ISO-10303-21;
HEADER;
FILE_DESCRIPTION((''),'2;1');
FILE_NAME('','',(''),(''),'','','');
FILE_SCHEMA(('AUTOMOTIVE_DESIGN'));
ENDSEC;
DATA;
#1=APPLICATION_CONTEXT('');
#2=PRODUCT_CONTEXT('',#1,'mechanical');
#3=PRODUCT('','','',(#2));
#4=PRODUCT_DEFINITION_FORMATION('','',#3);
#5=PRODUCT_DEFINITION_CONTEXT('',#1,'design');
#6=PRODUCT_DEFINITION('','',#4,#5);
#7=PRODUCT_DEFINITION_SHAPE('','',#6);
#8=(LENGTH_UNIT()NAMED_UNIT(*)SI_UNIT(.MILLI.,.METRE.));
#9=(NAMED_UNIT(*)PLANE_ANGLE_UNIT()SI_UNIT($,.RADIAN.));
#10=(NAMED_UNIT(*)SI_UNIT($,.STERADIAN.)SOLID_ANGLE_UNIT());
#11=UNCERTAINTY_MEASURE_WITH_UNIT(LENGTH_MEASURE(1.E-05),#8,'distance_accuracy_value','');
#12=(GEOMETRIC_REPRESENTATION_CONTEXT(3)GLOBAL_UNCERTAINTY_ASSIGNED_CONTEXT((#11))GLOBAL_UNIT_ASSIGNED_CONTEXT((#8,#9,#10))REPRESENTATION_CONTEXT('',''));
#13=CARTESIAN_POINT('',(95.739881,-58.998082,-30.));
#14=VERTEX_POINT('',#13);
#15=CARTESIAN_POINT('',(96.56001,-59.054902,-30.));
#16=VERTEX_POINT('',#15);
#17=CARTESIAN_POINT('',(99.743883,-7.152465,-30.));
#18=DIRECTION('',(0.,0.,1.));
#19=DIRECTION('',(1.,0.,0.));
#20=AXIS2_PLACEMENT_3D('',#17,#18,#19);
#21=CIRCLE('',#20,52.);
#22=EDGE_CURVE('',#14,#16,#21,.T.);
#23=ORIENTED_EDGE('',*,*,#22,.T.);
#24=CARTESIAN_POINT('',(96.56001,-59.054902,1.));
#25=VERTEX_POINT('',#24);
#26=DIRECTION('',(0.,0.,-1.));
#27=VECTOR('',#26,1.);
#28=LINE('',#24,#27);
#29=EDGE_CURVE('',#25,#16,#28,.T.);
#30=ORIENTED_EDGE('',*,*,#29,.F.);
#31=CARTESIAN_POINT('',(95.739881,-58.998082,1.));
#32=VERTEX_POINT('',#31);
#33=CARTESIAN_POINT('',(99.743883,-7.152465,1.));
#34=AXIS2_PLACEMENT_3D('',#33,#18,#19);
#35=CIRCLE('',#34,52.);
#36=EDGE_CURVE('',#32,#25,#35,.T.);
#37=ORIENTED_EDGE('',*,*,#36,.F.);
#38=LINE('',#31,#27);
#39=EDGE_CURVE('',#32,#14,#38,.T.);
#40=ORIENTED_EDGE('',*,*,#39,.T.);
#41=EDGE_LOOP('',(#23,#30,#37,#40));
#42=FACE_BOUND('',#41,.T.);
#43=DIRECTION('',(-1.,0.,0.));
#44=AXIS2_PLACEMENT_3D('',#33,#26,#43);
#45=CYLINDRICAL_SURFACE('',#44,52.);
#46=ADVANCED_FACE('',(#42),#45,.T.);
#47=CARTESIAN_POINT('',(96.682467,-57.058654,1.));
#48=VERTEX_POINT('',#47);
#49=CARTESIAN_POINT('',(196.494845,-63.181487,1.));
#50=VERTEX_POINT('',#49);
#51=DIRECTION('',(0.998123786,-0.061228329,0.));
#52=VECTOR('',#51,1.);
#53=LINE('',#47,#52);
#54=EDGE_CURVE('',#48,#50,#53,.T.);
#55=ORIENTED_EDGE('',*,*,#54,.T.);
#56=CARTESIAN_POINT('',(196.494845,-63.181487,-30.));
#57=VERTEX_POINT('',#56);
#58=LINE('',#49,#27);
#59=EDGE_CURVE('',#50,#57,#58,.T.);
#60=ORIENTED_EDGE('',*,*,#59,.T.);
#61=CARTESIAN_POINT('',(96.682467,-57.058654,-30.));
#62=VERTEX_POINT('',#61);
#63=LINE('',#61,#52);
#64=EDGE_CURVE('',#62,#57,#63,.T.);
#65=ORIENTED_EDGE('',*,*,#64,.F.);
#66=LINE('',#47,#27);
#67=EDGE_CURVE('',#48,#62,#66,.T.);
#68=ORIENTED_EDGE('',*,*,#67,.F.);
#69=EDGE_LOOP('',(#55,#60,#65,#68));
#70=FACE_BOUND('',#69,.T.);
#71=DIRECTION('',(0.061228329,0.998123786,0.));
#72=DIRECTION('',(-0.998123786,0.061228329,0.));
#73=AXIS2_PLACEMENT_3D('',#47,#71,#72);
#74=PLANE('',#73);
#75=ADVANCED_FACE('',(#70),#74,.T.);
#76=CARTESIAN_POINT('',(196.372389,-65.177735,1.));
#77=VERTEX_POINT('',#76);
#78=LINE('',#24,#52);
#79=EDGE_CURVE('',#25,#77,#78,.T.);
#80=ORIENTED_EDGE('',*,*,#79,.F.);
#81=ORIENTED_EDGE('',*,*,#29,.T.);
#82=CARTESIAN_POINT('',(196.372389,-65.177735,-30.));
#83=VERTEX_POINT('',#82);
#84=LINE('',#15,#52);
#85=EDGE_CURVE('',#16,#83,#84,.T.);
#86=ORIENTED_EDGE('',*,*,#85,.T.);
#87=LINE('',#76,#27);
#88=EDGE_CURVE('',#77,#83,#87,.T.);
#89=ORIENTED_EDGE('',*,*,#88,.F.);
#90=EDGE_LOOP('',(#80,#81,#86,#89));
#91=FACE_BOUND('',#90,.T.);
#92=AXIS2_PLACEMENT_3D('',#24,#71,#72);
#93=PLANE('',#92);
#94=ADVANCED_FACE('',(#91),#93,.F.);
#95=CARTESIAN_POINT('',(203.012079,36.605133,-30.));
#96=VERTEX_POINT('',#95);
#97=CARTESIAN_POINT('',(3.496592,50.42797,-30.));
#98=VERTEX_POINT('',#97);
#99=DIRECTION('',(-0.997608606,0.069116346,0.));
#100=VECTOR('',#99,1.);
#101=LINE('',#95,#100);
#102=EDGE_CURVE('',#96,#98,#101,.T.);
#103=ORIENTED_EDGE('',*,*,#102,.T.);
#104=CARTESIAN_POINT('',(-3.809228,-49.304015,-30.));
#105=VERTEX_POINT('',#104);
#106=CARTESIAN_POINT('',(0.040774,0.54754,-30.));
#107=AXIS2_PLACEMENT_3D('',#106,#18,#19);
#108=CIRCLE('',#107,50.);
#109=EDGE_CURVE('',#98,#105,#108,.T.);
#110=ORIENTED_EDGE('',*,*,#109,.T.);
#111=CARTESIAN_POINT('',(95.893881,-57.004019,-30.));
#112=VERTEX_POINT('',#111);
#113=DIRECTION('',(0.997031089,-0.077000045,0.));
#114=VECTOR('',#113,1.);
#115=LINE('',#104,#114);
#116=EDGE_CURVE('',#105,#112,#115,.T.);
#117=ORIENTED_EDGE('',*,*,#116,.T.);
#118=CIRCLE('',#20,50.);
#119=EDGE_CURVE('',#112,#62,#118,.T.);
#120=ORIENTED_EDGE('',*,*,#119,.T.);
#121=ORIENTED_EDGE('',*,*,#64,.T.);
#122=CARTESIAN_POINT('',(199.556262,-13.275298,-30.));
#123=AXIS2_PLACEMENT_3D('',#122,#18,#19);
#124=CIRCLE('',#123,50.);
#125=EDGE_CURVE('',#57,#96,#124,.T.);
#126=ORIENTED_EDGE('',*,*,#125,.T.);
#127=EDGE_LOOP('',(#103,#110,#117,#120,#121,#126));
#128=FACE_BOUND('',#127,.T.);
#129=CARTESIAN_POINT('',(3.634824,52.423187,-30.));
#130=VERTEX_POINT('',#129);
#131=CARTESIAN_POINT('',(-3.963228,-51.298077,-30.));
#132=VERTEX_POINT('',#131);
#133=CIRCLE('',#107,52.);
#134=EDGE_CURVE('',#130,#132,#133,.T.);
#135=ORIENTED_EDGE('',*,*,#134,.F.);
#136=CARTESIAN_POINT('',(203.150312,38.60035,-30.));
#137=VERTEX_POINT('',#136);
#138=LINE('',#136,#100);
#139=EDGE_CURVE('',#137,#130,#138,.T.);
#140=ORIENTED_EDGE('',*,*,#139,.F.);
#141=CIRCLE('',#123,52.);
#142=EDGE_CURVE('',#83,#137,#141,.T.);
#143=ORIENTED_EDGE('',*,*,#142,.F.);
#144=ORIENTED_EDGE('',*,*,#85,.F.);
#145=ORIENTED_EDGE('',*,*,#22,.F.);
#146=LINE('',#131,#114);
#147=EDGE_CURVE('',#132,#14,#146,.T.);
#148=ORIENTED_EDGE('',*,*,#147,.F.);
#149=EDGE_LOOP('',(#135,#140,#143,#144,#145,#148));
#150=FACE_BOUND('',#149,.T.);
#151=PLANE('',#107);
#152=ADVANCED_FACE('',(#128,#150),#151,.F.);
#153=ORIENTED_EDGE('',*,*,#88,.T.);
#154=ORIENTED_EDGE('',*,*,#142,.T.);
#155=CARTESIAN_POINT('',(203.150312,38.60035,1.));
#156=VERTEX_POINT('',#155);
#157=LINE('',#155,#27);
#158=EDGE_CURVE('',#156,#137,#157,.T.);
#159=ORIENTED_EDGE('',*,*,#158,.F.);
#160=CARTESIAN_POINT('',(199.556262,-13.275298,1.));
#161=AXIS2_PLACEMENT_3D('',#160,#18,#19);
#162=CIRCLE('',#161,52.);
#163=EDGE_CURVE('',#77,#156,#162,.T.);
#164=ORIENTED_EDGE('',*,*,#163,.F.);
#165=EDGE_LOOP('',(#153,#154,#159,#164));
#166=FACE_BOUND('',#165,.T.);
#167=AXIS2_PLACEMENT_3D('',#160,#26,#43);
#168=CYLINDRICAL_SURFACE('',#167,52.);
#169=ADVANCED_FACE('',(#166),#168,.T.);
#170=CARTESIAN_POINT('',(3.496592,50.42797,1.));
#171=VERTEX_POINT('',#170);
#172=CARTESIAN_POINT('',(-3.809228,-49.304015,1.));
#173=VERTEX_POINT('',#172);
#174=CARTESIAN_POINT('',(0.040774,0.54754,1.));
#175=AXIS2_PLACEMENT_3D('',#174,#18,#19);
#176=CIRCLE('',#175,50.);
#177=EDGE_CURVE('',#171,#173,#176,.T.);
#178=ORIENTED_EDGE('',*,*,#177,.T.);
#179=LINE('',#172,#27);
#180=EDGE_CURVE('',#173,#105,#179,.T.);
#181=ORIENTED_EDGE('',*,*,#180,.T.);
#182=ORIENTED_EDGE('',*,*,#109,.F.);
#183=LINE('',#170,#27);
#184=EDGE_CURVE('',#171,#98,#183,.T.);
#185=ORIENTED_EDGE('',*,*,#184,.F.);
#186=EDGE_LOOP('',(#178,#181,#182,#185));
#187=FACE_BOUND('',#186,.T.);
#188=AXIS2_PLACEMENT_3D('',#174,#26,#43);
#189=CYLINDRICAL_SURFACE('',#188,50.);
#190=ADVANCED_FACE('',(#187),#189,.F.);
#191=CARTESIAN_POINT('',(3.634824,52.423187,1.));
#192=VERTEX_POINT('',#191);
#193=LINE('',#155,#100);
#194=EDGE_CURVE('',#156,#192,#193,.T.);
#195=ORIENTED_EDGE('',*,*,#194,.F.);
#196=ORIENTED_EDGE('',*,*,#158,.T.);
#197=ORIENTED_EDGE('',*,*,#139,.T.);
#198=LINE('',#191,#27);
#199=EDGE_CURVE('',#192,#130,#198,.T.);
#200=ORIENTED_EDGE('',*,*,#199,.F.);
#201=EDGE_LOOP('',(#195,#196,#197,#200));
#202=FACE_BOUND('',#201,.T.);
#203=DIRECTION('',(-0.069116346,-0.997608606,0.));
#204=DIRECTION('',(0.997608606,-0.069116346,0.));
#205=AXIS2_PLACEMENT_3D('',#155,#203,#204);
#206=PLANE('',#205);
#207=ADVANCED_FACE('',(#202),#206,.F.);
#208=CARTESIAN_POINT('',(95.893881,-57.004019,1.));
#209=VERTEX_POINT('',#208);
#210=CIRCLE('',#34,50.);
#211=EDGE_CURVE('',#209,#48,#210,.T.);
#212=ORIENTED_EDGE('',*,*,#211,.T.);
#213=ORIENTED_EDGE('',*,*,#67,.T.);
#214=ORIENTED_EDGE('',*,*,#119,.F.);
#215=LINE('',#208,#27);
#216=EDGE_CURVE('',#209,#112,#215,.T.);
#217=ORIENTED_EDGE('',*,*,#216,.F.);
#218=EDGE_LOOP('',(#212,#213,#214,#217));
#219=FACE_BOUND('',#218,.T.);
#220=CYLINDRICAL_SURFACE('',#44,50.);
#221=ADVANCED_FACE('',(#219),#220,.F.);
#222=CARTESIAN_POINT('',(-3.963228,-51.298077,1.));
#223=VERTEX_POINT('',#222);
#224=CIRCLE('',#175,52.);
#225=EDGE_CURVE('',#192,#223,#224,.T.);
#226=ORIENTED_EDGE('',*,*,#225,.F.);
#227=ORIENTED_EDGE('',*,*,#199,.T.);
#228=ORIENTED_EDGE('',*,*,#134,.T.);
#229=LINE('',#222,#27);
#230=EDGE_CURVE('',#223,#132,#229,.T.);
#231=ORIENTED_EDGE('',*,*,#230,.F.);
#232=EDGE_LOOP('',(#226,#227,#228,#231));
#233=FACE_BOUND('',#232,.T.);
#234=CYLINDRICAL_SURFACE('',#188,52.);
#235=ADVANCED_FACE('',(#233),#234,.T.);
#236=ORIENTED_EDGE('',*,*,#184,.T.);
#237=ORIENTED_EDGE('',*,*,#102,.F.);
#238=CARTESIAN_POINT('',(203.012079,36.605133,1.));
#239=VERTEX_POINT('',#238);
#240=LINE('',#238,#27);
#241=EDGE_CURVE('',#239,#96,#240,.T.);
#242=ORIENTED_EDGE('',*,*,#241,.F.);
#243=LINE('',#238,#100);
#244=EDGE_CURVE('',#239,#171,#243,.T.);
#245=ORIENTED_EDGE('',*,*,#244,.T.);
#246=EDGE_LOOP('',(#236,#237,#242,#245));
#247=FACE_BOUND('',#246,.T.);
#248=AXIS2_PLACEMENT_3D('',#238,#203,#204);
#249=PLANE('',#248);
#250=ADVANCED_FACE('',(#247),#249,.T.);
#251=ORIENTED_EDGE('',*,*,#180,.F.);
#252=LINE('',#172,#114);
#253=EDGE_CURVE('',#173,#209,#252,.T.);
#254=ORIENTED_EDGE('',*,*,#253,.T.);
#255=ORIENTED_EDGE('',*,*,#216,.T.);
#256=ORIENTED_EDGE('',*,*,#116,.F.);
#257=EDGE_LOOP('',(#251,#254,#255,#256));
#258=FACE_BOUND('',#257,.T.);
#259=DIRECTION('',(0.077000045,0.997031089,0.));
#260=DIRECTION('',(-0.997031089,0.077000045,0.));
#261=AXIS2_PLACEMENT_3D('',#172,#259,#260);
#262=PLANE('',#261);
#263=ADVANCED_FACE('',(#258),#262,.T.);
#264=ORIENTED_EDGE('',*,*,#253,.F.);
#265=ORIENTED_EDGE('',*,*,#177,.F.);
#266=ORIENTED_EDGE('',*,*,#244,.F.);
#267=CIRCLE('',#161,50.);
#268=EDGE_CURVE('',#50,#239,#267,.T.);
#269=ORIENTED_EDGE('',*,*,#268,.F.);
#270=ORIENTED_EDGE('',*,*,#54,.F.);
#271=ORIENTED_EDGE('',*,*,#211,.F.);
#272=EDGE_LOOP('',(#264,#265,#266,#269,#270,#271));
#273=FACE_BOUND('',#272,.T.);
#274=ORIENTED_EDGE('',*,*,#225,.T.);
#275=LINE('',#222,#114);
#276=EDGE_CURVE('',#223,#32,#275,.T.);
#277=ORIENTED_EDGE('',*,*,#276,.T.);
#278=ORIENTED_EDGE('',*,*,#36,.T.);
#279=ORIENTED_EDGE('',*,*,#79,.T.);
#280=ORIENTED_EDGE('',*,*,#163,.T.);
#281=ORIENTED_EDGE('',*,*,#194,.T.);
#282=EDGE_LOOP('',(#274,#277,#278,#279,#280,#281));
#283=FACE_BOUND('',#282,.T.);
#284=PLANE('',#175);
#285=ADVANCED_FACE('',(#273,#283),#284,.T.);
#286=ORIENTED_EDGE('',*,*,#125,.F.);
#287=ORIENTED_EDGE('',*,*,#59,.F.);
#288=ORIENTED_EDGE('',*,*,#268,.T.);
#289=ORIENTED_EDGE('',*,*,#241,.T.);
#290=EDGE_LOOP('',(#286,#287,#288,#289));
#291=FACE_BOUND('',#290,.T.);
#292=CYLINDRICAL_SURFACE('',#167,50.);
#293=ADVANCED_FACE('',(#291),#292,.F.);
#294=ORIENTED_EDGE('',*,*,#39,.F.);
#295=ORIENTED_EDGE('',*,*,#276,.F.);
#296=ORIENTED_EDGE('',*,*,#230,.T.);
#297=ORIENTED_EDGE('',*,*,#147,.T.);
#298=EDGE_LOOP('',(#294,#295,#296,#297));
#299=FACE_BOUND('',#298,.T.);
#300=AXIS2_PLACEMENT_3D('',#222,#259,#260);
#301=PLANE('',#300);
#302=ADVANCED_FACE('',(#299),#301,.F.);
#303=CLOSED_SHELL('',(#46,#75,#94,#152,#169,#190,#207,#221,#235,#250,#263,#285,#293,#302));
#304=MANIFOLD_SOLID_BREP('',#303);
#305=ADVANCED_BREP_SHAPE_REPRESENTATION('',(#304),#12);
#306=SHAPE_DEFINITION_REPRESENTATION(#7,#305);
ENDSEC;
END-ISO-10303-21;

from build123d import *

# Parameters (mm, degrees)
EXTRUDE_THIN2_DEPTH      = 1
EXTRUDE_THIN2_DEPTH_BACK = 30


with BuildPart() as part:
    # Sketch2 → Extrude-Thin2 (new, two sides: drawn at the far end of the back side and taken through both)
    with BuildSketch(Plane.XY.offset(-EXTRUDE_THIN2_DEPTH_BACK)):
        with BuildLine():
            Line((203.150311833, 38.600349755), (3.634824321, 52.423187112))
            ThreePointArc((3.634824321, 52.423187112), (-51.820262836, 4.346595446), (-3.963228019, -51.298077043))
            Line((-3.963228019, -51.298077043), (95.739880914, -58.998081537))
            ThreePointArc((95.739880914, -58.998081537), (96.149833249, -59.028112402), (96.560010162, -59.054901754))
            Line((96.560010162, -59.054901754), (196.372388742, -65.177734616))
            ThreePointArc((196.372388742, -65.177734616), (251.445709315, -16.664285771), (203.150311833, 38.600349755))
        make_face()
        with BuildLine():
            Line((203.01207914, 36.605132543), (3.496591628, 50.4279699))
            ThreePointArc((3.496591628, 50.4279699), (-49.82560756, 4.200477913), (-3.809227929, -49.304014864))
            Line((-3.809227929, -49.304014864), (95.893881004, -57.004019358))
            ThreePointArc((95.893881004, -57.004019358), (96.288065941, -57.03289519), (96.68246682, -57.058654182))
            Line((96.68246682, -57.058654182), (196.494845399, -63.181487045))
            ThreePointArc((196.494845399, -63.181487045), (249.449961335, -16.533940078), (203.01207914, 36.605132543))
        make_face(mode=Mode.SUBTRACT)
    extrude(amount=EXTRUDE_THIN2_DEPTH + EXTRUDE_THIN2_DEPTH_BACK)


solid = part.part
